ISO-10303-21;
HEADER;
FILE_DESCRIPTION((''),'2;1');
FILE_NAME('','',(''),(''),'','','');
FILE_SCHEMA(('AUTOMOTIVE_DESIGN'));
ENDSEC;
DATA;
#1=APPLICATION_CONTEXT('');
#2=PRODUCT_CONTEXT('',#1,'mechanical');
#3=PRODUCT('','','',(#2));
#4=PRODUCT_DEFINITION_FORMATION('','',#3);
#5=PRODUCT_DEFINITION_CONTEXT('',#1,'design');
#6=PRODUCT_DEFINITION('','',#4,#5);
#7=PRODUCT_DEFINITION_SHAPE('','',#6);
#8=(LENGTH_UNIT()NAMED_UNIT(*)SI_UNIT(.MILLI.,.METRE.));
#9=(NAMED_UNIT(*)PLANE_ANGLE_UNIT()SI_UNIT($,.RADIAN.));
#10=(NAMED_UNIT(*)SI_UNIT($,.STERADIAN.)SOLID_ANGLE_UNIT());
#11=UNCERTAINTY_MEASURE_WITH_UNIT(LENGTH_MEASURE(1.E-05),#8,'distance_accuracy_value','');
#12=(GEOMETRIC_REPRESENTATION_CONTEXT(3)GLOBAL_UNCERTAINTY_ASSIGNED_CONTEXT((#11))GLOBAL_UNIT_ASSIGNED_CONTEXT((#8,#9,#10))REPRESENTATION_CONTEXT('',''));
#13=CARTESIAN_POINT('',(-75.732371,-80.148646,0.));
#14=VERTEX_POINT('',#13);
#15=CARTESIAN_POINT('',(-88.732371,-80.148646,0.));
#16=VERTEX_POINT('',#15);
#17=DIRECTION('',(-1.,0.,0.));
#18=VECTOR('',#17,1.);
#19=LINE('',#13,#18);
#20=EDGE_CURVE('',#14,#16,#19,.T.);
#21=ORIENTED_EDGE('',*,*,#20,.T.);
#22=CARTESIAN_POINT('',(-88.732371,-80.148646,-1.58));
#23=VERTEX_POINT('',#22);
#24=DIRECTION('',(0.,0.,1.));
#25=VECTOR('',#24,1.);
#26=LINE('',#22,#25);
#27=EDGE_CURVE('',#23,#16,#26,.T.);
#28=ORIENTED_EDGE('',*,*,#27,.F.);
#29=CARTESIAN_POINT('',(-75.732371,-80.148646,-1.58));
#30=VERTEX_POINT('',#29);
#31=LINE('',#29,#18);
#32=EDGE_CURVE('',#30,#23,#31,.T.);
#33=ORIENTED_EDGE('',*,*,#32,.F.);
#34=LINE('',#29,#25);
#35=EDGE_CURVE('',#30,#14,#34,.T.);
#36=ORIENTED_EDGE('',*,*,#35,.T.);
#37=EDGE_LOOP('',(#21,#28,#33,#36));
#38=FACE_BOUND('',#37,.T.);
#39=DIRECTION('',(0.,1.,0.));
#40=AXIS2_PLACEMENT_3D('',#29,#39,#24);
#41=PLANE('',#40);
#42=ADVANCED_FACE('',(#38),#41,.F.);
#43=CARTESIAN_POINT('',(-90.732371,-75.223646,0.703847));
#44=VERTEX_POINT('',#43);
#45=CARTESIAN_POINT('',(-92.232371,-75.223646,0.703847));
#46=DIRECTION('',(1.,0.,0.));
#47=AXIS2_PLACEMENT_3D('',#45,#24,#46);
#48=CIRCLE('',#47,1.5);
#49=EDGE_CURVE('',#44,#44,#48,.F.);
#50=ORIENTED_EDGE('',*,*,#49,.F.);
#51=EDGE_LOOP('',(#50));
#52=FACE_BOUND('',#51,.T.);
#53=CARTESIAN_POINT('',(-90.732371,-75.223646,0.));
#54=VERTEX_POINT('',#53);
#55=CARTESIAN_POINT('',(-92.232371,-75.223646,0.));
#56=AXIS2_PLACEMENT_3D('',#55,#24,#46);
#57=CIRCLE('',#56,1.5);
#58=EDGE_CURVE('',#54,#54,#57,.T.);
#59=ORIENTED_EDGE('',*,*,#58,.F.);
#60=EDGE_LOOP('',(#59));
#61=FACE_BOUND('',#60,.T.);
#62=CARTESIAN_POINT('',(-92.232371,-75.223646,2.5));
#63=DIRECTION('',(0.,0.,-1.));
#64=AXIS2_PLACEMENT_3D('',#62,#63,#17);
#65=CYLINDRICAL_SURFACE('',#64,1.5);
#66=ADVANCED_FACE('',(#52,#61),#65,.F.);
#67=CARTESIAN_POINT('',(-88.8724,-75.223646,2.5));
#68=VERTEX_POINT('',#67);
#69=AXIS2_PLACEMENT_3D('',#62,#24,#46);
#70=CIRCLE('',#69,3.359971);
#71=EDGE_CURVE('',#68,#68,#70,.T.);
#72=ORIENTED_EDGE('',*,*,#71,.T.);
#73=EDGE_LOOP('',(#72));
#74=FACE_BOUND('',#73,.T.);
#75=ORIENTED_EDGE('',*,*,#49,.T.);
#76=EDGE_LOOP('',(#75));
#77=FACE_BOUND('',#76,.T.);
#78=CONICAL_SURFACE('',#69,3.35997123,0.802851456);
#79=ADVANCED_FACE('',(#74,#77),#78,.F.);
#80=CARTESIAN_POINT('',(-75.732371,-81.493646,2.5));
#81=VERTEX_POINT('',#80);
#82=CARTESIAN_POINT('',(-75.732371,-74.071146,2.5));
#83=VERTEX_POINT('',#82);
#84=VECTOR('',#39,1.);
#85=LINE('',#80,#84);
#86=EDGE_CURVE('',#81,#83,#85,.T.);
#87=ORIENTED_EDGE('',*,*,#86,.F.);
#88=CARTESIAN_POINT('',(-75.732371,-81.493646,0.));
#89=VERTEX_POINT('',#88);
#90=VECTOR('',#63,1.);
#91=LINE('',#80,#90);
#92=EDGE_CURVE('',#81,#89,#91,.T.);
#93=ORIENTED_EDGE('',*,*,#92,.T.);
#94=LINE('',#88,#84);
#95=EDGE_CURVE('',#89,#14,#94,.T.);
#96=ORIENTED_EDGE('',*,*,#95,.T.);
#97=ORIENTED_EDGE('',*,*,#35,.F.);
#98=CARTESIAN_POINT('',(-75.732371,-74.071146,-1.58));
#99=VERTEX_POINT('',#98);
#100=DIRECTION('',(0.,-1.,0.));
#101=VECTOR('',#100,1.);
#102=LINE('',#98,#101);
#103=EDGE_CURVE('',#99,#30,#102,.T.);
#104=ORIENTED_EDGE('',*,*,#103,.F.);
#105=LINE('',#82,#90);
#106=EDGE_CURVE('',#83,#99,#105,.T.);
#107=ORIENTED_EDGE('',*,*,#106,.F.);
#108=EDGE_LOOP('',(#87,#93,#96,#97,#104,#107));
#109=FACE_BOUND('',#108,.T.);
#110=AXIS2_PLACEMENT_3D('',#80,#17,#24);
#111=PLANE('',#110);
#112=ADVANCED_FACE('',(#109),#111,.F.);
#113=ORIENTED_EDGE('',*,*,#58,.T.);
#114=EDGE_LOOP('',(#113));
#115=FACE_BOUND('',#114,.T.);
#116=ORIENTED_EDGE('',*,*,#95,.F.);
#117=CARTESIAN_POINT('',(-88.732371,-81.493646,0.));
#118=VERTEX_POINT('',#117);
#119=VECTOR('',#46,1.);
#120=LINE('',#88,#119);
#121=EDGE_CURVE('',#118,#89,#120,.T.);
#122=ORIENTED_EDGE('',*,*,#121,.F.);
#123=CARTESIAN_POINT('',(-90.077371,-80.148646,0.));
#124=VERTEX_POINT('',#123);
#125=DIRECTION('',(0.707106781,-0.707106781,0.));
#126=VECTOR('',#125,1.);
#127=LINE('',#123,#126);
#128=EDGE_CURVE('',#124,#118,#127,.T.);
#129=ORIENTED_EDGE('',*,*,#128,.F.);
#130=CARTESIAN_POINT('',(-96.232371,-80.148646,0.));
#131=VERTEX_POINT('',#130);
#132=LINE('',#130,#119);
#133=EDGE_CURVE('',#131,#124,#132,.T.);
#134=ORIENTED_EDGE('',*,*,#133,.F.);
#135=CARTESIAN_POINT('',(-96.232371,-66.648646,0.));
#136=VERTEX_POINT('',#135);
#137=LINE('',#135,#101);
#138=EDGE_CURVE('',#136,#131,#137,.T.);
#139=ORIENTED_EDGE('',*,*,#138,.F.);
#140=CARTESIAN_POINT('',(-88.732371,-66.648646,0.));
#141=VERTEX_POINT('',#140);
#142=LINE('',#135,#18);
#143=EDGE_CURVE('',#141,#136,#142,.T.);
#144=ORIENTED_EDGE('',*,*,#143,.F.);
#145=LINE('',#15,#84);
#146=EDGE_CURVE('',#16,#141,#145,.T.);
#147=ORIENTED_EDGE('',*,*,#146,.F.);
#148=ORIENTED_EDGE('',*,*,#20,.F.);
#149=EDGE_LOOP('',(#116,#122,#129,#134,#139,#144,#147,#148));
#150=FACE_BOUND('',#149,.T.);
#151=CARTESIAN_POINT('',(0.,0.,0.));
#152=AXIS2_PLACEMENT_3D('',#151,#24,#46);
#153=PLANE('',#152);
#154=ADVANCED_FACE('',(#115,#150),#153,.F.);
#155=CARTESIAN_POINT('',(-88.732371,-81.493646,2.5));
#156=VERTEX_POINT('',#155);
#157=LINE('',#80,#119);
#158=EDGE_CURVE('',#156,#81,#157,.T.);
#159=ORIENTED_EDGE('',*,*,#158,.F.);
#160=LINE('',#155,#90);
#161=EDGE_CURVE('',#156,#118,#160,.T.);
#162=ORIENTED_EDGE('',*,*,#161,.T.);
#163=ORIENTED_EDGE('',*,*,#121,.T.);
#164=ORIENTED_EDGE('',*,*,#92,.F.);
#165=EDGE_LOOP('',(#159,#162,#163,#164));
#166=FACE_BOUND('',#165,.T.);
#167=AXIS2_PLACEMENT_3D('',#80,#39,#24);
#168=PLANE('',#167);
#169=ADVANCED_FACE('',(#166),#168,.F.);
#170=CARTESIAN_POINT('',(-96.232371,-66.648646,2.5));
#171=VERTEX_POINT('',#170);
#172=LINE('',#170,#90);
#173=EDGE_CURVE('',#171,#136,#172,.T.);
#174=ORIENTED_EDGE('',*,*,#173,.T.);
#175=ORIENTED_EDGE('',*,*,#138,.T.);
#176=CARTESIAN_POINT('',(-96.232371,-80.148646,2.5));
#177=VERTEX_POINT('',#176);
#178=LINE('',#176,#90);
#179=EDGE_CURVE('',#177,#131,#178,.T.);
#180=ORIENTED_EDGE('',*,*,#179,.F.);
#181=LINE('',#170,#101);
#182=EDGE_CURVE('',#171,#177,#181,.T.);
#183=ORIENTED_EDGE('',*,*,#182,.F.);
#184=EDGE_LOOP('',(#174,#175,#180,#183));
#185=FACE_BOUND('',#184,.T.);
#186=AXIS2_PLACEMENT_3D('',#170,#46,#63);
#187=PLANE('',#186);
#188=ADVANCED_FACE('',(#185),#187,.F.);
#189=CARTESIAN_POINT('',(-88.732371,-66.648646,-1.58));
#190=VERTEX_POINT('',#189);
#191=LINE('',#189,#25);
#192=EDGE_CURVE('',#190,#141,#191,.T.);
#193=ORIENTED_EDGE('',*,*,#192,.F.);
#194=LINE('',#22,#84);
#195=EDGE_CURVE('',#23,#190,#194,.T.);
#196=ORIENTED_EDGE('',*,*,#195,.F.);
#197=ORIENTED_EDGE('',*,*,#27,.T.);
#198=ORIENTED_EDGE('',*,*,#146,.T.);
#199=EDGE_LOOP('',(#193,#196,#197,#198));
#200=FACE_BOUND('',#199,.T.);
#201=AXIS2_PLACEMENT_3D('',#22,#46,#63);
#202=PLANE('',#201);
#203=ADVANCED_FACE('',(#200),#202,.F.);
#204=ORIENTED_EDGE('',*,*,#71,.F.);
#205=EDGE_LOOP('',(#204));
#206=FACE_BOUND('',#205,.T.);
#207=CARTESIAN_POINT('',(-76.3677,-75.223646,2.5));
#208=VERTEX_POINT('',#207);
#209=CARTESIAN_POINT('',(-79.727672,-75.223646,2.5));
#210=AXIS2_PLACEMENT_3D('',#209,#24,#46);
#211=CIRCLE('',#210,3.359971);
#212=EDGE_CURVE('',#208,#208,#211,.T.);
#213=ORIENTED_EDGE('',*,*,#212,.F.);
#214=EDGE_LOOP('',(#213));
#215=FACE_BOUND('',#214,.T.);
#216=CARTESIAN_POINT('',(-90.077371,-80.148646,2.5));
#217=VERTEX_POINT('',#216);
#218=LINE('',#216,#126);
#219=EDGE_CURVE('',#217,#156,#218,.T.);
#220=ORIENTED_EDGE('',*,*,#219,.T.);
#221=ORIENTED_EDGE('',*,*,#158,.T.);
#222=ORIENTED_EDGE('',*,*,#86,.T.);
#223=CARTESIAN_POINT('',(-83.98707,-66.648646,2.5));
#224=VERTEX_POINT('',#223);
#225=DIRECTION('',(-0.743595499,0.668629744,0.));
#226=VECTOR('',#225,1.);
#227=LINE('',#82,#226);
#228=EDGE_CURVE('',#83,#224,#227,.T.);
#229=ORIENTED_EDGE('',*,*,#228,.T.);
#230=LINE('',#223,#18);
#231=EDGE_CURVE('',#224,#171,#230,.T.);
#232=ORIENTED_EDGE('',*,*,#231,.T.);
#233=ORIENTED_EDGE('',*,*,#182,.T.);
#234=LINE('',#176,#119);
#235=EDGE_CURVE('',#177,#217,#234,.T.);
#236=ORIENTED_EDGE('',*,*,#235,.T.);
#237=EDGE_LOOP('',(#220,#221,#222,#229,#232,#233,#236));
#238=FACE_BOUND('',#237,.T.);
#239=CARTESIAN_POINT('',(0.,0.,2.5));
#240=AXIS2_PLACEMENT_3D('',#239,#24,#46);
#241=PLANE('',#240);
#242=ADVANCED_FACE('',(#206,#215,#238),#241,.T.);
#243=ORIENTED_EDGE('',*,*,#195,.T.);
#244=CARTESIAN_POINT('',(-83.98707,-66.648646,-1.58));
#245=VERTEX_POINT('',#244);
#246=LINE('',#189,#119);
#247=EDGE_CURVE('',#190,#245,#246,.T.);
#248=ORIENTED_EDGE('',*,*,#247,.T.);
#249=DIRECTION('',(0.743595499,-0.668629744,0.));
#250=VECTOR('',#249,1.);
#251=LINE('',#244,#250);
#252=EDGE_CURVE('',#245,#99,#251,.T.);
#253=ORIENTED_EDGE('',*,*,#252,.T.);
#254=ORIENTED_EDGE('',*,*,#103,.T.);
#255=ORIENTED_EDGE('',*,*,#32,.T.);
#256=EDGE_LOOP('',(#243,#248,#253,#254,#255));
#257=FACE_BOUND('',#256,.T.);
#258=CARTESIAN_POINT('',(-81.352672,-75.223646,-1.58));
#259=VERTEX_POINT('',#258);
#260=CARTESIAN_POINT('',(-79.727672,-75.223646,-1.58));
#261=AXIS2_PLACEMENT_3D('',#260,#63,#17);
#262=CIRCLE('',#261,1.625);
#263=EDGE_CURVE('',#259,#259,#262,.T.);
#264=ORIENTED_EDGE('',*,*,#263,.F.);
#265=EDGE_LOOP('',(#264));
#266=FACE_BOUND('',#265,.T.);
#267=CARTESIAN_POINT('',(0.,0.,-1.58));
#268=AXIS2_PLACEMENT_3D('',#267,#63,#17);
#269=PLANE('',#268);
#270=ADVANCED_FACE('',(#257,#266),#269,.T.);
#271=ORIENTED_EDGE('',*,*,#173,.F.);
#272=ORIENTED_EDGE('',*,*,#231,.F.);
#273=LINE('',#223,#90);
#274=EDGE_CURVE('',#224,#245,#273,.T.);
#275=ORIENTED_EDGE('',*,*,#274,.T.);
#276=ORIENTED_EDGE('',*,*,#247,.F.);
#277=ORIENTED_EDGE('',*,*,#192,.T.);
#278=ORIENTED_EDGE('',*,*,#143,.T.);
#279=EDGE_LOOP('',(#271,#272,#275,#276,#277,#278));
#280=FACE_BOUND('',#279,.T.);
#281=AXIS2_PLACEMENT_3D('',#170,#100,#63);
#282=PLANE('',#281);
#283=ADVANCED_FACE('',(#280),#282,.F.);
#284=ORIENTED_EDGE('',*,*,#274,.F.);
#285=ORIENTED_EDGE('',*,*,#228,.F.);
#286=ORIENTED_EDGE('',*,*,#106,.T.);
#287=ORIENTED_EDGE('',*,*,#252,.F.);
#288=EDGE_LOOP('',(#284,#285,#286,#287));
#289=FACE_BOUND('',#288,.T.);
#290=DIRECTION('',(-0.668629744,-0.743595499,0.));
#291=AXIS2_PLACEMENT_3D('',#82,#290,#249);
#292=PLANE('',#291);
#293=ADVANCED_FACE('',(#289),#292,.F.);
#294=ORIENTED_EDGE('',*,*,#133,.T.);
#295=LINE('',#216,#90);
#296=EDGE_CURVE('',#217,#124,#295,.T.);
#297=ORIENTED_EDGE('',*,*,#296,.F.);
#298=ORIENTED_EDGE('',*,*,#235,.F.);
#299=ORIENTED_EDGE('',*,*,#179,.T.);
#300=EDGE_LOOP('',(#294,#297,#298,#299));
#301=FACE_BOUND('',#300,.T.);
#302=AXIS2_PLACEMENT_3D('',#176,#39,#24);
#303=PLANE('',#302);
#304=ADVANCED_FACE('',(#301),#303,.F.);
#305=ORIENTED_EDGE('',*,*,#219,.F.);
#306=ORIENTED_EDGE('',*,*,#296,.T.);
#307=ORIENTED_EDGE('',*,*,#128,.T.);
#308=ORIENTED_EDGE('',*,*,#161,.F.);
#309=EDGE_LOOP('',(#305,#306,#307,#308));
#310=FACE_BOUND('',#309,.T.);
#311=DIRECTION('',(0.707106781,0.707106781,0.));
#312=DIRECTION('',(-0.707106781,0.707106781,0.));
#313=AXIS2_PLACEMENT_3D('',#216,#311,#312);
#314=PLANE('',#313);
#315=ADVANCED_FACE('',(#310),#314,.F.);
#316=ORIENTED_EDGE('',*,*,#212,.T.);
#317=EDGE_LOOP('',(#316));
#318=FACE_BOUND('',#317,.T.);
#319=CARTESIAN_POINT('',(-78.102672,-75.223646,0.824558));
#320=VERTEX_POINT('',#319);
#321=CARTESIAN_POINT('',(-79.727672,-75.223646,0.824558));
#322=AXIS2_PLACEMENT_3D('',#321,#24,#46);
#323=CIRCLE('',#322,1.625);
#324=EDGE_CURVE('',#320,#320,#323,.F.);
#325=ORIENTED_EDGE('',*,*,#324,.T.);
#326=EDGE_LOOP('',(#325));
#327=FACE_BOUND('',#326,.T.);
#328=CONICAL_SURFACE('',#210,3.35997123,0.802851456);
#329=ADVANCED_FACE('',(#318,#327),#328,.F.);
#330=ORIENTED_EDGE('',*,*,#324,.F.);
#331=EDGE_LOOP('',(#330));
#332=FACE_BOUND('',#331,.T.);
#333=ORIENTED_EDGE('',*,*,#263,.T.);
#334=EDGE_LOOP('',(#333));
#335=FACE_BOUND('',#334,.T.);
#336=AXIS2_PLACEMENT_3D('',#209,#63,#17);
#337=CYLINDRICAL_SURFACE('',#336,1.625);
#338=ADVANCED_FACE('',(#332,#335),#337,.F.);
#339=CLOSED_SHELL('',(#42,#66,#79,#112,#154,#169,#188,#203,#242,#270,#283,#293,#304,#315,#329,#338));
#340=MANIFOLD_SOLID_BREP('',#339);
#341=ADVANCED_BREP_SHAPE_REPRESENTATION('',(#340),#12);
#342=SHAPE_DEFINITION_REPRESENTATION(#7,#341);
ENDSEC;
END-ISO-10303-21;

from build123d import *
from build123d.topology import SkipClean

# Parameters (mm, degrees)
CROQUIS1_R                      = 1.5
CROQUIS1_R_2                    = 1.625
SALIENTE_EXTRUIR1_DEPTH         = 2.5
SALIENTE_EXTRUIR2_START         = 1.58
CROQUIS2_R                      = 1.625
SALIENTE_EXTRUIR2_DEPTH         = 1.58
CROQUIS3_R                      = 3.35997123
CORTAR_EXTRUIR1_DEPTH           = 1.8
CORTAR_EXTRUIR1_DRAFT           = -46
CORTAR_EXTRUIR1_PROFILE_2_DEPTH = 1.8
CORTAR_EXTRUIR1_PROFILE_2_DRAFT = -46


with BuildPart() as part:
    # Croquis1 → Saliente-Extruir1 (new body)
    with BuildSketch(Plane.XY):
        Polygon((-90.077371, -80.148646), (-88.732371, -81.493646), (-75.732371, -81.493646), (-75.732371, -74.071146), (-83.98707047, -66.648646), (-88.732371, -66.648646), (-96.232371, -66.648646), (-96.232371, -80.148646), align=None)
        with Locations((-92.232371, -75.223646)):
            Circle(CROQUIS1_R, mode=Mode.SUBTRACT)
        with Locations((-79.72767153, -75.223646)):
            Circle(CROQUIS1_R_2, mode=Mode.SUBTRACT)
    extrude(amount=SALIENTE_EXTRUIR1_DEPTH)

    # Croquis2 → Saliente-Extruir2 (add)
    with SkipClean():  # the faces are left unmerged after this step: merging them gives an invalid solid
        with BuildSketch(Plane(origin=(0, 0, 0), x_dir=(-1, 0, 0), z_dir=(0, 0, -1)).offset(SALIENTE_EXTRUIR2_START)):
            Polygon((75.732371, -74.071146), (75.732371, -80.148646), (88.732371, -80.148646), (88.732371, -66.648646), (83.98707047, -66.648646), align=None)
            with Locations((79.72767153, -75.223646)):
                Circle(CROQUIS2_R, mode=Mode.SUBTRACT)
        extrude(amount=-SALIENTE_EXTRUIR2_DEPTH)


with BuildPart() as cortar_extruir1_tool:
    # Croquis3 → Cortar-Extruir1 (with draft: the straight prism first)
    with BuildSketch(Plane.XY.offset(2.5)):
        with Locations((-92.232371, -75.223646)):
            Circle(CROQUIS3_R)
    extrude(amount=-CORTAR_EXTRUIR1_DEPTH)
    # Cortar-Extruir1: the draft: its side faces are tilted about the plane it starts from
    cortar_extruir1_sides = [cortar_extruir1_tool.faces().sort_by_distance(p)[0] for p in [
        (-95.59234223, -75.223646, 1.6),
    ]]
    draft(cortar_extruir1_sides, Plane.XY.offset(2.5), CORTAR_EXTRUIR1_DRAFT)


with BuildPart() as part_1:
    add(part.part)

    # Cortar-Extruir1: cut by cortar_extruir1_tool
    add(cortar_extruir1_tool.part, mode=Mode.SUBTRACT)


with BuildPart() as cortar_extruir1_profile_2_tool:
    # Croquis3 → Cortar-Extruir1 profile 2 (with draft: the straight prism first)
    with BuildSketch(Plane.XY.offset(2.5)):
        with Locations((-79.72767153, -75.223646)):
            Circle(CROQUIS3_R)
    extrude(amount=-CORTAR_EXTRUIR1_PROFILE_2_DEPTH)
    # Cortar-Extruir1 profile 2: the draft: its side faces are tilted about the plane it starts from
    cortar_extruir1_profile_2_sides = [cortar_extruir1_profile_2_tool.faces().sort_by_distance(p)[0] for p in [
        (-83.08764276, -75.223646, 1.6),
    ]]
    draft(cortar_extruir1_profile_2_sides, Plane.XY.offset(2.5), CORTAR_EXTRUIR1_PROFILE_2_DRAFT)


with BuildPart() as part_2:
    add(part_1.part)

    # Cortar-Extruir1 profile 2: cut by cortar_extruir1_profile_2_tool
    add(cortar_extruir1_profile_2_tool.part, mode=Mode.SUBTRACT)


solid = part_2.part
